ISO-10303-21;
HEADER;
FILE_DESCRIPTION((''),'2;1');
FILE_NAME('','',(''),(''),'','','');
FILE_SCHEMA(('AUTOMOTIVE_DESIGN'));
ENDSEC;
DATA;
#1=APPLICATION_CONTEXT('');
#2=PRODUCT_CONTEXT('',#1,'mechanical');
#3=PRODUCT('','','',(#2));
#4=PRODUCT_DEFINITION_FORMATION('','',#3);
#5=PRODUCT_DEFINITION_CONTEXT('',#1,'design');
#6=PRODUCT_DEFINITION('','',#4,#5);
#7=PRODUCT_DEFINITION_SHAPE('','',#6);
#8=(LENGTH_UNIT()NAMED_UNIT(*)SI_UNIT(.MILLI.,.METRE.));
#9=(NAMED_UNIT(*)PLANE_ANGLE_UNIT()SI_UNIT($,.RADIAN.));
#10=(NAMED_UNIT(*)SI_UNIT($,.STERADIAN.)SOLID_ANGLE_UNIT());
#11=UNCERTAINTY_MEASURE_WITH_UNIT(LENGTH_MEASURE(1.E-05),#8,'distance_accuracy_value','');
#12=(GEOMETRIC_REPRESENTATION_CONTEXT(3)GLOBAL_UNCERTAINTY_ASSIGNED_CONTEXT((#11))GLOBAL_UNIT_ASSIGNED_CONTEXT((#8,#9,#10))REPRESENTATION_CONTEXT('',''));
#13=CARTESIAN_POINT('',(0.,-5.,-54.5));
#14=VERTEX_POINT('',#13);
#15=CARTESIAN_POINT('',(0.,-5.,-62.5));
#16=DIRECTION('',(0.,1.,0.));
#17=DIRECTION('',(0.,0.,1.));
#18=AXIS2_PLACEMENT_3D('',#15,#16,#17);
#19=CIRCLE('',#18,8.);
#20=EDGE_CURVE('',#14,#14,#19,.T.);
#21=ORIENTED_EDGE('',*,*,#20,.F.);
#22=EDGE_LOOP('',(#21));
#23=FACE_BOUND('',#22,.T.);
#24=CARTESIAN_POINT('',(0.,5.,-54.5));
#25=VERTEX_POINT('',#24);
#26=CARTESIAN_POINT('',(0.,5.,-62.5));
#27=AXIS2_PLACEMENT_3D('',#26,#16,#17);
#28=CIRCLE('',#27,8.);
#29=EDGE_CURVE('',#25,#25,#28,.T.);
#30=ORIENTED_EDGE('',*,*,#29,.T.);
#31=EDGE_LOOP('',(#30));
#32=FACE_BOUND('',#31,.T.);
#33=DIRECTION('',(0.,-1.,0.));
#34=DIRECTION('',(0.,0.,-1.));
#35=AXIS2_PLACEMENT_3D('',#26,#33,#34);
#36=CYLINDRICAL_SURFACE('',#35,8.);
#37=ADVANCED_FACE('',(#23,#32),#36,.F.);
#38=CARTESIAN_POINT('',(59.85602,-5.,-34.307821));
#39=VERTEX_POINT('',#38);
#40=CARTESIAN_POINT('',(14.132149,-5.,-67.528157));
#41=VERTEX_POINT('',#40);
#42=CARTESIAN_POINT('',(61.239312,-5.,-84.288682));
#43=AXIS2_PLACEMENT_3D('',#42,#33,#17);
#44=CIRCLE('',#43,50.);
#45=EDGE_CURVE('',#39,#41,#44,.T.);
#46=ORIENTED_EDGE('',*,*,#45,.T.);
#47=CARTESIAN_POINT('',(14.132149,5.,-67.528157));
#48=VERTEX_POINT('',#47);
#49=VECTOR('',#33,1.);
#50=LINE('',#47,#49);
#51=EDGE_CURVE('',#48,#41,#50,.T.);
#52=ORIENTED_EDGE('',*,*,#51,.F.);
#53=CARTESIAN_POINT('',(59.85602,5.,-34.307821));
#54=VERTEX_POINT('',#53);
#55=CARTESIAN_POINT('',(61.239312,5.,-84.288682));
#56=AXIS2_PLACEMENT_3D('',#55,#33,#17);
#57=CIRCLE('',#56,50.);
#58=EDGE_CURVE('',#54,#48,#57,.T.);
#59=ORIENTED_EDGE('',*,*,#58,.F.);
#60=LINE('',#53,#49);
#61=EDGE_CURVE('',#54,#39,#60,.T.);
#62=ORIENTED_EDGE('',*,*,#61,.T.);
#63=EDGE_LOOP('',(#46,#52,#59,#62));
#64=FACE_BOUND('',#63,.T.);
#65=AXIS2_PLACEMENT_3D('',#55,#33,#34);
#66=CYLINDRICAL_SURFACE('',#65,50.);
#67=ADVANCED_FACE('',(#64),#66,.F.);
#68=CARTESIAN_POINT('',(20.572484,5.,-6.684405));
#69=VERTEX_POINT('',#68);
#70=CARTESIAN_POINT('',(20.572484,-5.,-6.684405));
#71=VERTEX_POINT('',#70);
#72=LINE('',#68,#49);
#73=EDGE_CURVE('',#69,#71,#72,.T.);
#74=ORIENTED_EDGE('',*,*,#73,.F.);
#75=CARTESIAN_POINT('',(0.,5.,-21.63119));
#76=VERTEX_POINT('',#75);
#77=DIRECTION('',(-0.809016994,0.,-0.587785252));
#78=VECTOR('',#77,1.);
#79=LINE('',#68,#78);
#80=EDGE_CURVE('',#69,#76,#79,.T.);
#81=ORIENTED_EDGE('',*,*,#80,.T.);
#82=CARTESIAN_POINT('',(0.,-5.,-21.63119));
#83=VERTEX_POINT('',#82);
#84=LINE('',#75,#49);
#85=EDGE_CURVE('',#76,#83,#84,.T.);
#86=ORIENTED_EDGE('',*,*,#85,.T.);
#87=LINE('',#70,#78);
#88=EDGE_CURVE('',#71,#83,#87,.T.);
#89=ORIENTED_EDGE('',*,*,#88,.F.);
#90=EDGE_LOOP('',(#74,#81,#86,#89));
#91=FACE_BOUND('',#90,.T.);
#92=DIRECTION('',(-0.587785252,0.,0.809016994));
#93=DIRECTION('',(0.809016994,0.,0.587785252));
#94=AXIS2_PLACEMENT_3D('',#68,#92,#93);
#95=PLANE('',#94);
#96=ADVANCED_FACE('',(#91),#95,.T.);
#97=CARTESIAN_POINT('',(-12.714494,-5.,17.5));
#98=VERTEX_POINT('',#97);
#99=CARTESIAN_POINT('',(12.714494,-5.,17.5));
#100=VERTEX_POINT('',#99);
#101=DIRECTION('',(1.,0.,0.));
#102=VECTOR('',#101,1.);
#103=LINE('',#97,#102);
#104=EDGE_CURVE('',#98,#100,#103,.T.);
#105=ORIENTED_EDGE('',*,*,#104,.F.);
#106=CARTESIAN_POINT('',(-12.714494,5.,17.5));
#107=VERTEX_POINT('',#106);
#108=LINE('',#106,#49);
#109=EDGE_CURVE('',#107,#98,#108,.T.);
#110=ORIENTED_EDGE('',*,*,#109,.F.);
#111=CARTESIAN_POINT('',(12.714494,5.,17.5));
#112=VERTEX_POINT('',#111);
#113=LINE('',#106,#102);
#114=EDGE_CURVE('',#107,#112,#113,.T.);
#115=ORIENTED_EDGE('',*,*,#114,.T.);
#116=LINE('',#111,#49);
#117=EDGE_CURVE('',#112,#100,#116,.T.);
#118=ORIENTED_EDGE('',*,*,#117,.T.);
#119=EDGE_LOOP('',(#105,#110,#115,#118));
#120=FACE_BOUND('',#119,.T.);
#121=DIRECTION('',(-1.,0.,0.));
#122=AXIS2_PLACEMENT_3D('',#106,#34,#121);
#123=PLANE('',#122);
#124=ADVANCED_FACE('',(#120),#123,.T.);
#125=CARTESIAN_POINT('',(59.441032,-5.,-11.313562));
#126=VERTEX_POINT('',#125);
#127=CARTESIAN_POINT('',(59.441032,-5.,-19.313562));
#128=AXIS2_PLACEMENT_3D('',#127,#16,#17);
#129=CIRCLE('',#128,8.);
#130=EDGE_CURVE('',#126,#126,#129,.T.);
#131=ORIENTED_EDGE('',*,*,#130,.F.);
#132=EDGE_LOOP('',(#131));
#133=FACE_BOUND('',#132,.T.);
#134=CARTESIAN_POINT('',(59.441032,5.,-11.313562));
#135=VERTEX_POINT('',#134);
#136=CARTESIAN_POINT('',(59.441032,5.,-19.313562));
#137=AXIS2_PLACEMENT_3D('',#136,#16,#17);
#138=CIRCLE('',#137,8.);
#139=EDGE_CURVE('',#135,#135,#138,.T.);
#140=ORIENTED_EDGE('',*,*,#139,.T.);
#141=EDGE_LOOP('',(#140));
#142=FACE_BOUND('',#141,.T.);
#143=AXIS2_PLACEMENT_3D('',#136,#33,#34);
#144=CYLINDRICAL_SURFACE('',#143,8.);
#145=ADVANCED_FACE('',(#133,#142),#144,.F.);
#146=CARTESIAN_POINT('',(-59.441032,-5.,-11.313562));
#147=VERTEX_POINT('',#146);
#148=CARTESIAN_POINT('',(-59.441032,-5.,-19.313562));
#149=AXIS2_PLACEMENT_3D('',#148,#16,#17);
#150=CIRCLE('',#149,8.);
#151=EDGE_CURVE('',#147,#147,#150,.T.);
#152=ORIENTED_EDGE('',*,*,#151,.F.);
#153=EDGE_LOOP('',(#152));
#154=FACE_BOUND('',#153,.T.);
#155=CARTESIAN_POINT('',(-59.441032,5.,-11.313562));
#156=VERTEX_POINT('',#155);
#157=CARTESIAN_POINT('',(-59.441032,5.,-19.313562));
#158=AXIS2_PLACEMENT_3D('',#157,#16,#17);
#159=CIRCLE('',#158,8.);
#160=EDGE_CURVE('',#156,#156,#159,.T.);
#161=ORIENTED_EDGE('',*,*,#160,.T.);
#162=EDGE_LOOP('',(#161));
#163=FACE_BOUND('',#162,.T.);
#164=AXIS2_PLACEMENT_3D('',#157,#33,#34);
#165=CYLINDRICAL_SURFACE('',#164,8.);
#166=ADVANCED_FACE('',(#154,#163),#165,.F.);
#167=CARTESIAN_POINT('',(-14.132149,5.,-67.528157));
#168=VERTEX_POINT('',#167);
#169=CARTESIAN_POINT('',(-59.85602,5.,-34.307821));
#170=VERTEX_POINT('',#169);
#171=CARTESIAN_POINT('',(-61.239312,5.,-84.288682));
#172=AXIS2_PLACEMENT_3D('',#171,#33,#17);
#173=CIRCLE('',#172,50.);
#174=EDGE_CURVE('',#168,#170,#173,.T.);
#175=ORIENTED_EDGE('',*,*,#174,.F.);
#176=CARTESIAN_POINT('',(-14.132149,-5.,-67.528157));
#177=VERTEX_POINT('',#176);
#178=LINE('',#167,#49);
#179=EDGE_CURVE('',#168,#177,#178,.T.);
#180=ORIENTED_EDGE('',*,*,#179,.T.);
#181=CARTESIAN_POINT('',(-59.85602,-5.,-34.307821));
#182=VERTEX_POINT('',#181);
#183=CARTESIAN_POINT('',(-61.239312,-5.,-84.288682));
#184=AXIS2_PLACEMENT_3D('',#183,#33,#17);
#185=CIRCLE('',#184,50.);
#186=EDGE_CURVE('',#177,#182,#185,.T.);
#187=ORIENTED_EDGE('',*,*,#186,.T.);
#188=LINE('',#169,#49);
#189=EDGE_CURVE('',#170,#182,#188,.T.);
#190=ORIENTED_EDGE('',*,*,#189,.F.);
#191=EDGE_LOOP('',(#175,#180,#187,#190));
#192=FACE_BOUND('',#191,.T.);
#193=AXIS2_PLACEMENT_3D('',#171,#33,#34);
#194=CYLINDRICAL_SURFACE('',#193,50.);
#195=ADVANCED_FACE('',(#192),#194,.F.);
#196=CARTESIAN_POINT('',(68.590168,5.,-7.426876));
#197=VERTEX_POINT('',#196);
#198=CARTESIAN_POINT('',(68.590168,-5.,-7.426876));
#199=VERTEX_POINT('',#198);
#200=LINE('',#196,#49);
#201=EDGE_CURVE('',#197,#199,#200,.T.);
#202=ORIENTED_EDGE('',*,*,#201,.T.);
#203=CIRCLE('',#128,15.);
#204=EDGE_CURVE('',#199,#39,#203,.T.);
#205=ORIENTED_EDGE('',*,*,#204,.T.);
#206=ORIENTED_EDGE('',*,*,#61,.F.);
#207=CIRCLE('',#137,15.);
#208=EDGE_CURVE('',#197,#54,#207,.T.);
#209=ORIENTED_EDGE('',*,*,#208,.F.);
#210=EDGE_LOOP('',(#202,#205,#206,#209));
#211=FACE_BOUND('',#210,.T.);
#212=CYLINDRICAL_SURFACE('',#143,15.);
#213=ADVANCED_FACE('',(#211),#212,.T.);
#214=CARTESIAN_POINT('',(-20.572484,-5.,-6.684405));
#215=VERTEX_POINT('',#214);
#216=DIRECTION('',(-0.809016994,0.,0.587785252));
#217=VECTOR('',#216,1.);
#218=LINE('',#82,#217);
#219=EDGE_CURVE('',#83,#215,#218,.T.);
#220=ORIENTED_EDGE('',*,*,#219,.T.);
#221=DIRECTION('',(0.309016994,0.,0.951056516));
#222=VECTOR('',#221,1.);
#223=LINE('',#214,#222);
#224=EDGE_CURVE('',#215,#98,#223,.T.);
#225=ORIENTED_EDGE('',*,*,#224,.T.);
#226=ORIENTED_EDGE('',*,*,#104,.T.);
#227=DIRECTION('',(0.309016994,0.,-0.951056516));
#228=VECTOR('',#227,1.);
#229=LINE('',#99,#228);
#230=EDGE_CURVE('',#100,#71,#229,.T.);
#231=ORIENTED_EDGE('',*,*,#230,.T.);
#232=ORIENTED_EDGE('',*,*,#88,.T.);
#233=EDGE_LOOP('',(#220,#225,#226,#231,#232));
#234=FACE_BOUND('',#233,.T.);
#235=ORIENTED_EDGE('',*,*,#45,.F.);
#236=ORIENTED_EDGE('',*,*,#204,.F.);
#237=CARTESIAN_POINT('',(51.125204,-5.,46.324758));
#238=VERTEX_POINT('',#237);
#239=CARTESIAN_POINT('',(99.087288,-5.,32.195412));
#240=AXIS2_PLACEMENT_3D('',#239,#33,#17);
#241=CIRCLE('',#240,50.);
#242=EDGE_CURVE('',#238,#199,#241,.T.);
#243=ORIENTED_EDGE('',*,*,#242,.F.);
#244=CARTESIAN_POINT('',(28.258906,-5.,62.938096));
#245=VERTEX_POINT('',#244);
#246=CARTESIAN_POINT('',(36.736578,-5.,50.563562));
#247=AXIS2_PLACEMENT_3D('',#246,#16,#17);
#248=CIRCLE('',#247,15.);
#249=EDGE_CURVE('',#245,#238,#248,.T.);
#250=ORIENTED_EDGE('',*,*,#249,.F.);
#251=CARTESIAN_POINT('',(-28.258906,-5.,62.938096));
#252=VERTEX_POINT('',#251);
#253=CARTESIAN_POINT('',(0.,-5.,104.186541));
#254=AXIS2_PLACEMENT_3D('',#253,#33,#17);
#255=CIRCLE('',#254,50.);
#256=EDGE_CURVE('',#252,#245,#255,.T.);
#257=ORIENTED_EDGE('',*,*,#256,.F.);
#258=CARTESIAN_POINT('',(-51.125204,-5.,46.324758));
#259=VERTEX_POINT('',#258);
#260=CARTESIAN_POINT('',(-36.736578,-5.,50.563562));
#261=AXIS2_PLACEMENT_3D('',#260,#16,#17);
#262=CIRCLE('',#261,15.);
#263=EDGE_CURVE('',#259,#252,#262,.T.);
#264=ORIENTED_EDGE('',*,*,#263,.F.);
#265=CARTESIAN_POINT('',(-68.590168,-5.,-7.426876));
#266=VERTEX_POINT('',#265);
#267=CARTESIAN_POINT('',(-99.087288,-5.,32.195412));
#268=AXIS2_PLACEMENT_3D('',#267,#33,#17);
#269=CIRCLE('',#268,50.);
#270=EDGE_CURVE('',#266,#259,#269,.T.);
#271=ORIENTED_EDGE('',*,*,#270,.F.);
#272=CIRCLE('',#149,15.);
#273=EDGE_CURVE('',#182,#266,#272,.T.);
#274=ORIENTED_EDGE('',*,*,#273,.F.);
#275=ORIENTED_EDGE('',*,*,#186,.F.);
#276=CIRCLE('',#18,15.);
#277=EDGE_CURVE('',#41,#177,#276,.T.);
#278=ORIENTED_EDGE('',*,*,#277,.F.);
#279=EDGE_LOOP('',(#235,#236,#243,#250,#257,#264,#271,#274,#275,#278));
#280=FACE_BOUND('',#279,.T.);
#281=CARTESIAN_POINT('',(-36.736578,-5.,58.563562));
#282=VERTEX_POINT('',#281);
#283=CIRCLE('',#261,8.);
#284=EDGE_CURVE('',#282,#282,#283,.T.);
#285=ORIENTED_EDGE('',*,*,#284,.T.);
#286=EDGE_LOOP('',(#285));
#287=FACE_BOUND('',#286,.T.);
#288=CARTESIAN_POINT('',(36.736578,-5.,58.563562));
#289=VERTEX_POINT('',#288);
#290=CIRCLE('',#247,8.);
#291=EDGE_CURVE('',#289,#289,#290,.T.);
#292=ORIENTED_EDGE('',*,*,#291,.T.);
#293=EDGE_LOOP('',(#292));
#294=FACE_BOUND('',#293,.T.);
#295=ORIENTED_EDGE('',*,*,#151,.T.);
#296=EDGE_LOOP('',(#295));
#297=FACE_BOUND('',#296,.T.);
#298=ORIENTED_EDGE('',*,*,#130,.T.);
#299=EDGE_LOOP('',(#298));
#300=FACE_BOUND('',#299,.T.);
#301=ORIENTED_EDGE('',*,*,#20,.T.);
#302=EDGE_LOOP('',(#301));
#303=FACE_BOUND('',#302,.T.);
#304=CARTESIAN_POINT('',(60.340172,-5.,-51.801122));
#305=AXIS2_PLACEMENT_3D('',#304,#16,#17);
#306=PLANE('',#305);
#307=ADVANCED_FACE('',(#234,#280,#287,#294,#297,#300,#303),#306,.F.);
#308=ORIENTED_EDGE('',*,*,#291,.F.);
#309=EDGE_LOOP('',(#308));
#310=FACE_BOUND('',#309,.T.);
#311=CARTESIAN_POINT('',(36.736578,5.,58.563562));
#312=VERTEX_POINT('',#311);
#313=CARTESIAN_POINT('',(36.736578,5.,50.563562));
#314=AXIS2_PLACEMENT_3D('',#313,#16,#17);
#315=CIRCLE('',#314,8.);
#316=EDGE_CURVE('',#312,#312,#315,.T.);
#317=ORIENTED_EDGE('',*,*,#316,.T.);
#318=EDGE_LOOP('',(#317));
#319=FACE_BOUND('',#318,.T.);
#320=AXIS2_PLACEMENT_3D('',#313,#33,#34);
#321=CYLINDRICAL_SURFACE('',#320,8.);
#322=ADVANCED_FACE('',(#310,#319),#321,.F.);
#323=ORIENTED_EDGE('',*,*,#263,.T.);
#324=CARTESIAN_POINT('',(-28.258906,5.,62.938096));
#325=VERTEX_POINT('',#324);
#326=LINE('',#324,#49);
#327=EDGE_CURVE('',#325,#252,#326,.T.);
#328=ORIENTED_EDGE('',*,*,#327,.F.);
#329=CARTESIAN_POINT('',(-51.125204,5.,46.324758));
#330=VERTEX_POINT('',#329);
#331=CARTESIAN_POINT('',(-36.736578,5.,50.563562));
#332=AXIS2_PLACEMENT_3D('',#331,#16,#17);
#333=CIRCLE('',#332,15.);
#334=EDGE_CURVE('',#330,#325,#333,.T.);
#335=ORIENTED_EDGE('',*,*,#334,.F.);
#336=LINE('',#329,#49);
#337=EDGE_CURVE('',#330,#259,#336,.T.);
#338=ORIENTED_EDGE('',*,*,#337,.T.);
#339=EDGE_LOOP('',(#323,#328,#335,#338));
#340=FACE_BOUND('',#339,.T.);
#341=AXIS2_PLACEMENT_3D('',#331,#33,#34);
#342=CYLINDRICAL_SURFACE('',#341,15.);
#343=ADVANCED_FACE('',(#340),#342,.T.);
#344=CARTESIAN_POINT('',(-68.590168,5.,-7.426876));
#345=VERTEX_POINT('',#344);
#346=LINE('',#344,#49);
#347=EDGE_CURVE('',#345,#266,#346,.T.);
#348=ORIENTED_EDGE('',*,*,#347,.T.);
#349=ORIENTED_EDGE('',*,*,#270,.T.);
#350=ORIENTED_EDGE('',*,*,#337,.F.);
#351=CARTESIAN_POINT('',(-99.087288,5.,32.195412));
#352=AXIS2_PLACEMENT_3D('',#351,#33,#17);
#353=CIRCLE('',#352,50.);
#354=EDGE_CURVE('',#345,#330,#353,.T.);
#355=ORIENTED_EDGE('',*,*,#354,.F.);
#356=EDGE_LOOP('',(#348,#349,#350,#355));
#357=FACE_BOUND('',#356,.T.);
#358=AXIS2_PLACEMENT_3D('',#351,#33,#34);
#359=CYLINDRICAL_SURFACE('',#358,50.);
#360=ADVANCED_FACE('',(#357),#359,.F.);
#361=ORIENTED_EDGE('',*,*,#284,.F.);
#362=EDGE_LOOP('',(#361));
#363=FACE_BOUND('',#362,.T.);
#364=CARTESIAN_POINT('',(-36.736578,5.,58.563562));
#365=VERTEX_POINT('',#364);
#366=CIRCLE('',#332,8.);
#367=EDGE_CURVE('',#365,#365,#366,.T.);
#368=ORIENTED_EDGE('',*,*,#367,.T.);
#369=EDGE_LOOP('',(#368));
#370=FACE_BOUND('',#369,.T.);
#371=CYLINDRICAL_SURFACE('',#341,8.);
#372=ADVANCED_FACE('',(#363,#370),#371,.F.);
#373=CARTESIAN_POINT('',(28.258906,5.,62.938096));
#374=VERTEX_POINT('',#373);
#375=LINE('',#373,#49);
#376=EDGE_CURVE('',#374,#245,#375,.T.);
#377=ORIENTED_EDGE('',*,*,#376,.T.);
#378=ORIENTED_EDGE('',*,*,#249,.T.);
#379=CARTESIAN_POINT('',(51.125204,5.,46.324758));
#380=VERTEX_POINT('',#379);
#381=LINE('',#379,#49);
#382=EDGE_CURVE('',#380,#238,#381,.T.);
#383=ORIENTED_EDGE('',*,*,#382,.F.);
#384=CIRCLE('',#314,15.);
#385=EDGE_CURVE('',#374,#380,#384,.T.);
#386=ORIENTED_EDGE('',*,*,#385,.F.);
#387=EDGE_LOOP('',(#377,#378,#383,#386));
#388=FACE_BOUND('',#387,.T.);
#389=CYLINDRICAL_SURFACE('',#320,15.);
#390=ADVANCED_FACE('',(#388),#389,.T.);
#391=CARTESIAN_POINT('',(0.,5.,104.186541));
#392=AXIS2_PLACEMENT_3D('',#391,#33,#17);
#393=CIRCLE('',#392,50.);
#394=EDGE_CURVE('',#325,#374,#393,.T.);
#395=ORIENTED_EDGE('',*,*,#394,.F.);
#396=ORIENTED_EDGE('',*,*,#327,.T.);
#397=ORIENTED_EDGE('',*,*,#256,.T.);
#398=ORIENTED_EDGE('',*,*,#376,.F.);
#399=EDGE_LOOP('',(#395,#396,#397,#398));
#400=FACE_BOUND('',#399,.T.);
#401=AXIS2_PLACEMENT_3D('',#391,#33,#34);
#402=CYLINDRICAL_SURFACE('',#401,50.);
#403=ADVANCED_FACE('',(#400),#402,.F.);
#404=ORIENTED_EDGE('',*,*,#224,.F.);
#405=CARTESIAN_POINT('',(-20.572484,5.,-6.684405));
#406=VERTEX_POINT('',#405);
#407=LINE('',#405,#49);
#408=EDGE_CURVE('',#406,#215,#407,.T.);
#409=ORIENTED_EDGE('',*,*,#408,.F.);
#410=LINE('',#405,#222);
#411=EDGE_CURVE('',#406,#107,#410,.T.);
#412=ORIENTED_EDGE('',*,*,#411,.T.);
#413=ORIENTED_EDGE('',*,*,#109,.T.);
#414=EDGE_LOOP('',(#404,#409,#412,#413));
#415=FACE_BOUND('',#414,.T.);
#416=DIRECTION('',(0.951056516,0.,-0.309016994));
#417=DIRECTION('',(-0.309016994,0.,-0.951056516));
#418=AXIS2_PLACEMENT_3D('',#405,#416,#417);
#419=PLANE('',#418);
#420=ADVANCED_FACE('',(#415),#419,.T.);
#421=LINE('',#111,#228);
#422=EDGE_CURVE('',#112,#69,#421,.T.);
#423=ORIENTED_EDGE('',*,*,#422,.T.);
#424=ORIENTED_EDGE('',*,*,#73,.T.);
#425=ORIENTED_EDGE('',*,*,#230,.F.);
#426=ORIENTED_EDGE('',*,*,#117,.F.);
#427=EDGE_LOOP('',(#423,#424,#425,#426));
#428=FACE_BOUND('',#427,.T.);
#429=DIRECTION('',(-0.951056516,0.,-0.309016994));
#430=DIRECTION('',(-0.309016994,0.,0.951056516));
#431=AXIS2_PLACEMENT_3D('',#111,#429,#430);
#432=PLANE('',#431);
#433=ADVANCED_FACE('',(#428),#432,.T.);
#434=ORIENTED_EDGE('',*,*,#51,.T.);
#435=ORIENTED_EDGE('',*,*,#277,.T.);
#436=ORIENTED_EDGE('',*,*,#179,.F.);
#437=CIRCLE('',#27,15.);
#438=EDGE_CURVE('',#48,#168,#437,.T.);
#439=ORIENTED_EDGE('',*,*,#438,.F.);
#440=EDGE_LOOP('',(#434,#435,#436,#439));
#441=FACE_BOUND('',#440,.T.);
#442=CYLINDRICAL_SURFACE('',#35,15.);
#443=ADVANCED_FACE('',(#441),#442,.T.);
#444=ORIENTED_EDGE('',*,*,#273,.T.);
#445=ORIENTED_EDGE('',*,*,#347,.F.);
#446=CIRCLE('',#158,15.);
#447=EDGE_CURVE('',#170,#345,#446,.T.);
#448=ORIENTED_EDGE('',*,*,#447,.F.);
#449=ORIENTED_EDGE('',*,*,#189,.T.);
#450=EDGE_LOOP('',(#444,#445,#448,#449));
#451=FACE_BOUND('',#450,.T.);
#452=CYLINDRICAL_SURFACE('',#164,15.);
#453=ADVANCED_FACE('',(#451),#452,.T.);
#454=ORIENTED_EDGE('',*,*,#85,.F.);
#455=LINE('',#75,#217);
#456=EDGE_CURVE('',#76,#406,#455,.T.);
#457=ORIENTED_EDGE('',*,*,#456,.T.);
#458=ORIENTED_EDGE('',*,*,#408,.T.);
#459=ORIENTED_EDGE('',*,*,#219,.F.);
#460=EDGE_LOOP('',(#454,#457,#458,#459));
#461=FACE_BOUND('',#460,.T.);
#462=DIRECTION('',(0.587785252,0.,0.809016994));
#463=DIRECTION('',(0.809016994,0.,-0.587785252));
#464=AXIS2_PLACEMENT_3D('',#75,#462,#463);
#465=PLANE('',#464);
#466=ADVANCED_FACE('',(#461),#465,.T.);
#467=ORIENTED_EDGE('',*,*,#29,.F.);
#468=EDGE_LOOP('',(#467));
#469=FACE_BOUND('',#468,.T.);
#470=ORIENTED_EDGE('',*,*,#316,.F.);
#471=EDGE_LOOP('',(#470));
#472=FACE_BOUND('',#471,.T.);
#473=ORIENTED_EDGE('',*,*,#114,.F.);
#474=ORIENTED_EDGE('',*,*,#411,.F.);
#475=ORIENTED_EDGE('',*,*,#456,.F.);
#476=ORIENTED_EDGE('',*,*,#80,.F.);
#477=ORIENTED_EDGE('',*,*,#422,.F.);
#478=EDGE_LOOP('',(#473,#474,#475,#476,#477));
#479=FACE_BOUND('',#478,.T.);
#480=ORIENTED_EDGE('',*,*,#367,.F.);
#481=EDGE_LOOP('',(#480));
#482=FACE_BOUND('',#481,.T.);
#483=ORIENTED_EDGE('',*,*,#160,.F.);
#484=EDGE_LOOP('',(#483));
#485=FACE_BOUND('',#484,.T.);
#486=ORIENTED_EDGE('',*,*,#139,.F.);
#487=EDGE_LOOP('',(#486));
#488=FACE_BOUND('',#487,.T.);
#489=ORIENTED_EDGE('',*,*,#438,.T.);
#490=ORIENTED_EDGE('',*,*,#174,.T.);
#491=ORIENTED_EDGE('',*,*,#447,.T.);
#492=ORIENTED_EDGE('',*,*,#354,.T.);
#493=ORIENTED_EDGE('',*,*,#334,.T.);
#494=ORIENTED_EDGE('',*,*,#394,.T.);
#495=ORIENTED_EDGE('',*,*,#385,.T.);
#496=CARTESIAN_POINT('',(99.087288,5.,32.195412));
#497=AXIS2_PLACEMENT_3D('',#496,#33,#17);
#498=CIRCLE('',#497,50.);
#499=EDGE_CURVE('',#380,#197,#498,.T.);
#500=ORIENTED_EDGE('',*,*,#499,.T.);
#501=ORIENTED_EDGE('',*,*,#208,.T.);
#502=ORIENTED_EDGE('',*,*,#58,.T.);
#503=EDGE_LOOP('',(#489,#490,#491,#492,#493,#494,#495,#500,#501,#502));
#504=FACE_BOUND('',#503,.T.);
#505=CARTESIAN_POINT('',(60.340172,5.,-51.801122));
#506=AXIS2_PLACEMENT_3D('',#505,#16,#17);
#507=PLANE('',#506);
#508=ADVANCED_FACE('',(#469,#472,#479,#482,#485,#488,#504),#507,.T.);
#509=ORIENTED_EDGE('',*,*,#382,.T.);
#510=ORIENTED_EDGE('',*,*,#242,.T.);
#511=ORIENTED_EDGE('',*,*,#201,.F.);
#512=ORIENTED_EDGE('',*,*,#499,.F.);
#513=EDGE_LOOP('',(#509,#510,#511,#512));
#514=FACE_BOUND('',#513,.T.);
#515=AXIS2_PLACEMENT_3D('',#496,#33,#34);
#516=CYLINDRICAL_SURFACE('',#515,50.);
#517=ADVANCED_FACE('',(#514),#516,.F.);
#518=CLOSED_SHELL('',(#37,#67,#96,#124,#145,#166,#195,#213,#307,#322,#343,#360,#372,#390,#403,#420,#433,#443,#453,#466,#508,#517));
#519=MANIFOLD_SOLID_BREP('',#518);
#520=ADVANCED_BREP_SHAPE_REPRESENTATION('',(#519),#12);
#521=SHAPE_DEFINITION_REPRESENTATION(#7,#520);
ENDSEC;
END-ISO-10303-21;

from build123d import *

# Parameters (mm, degrees)
SKETCH1_R           = 8
BOSS_EXTRUDE2_DEPTH = 5


with BuildPart() as part:
    # Sketch1 → Boss-Extrude2 (new body, symmetric)
    with BuildSketch(Plane(origin=(0, 0, 0), x_dir=(1, 0, 0), z_dir=(0, 1, 0))):
        with BuildLine():
            ThreePointArc((14.132148934, 67.528157367), (0, 77.5), (-14.132148934, 67.528157367))
            ThreePointArc((-14.132148934, 67.528157367), (-31.850049433, 43.837832205), (-59.85601991, 34.307820558))
            ThreePointArc((-59.85601991, 34.307820558), (-73.706880013, 23.948817064), (-68.590168285, 7.426875892))
            ThreePointArc((-68.590168285, 7.426875892), (-51.534462525, -16.744561909), (-51.125203669, -46.324758182))
            ThreePointArc((-51.125203669, -46.324758182), (-45.553357053, -62.698817064), (-28.25890636, -62.938095635))
            ThreePointArc((-28.25890636, -62.938095635), (0, -54.186540592), (28.25890636, -62.938095635))
            ThreePointArc((28.25890636, -62.938095635), (45.553357053, -62.698817064), (51.125203669, -46.324758182))
            ThreePointArc((51.125203669, -46.324758182), (51.534462525, -16.744561909), (68.590168285, 7.426875892))
            ThreePointArc((68.590168285, 7.426875892), (73.706880013, 23.948817064), (59.85601991, 34.307820558))
            ThreePointArc((59.85601991, 34.307820558), (31.850049433, 43.837832205), (14.132148934, 67.528157367))
        make_face()
        with Locations((0, 62.5)):
            Circle(SKETCH1_R, mode=Mode.SUBTRACT)
        with Locations((59.441032268, 19.313562148)):
            Circle(SKETCH1_R, mode=Mode.SUBTRACT)
        with Locations((36.736578268, -50.563562148)):
            Circle(SKETCH1_R, mode=Mode.SUBTRACT)
        with Locations((-36.736578268, -50.563562148)):
            Circle(SKETCH1_R, mode=Mode.SUBTRACT)
        with Locations((-59.441032268, 19.313562148)):
            Circle(SKETCH1_R, mode=Mode.SUBTRACT)
        Polygon((0, 21.631189606), (-20.57248383, 6.684405197), (-12.71449424, -17.5), (12.71449424, -17.5), (20.57248383, 6.684405197), align=None, mode=Mode.SUBTRACT)
    extrude(amount=BOSS_EXTRUDE2_DEPTH, both=True)


solid = part.part
